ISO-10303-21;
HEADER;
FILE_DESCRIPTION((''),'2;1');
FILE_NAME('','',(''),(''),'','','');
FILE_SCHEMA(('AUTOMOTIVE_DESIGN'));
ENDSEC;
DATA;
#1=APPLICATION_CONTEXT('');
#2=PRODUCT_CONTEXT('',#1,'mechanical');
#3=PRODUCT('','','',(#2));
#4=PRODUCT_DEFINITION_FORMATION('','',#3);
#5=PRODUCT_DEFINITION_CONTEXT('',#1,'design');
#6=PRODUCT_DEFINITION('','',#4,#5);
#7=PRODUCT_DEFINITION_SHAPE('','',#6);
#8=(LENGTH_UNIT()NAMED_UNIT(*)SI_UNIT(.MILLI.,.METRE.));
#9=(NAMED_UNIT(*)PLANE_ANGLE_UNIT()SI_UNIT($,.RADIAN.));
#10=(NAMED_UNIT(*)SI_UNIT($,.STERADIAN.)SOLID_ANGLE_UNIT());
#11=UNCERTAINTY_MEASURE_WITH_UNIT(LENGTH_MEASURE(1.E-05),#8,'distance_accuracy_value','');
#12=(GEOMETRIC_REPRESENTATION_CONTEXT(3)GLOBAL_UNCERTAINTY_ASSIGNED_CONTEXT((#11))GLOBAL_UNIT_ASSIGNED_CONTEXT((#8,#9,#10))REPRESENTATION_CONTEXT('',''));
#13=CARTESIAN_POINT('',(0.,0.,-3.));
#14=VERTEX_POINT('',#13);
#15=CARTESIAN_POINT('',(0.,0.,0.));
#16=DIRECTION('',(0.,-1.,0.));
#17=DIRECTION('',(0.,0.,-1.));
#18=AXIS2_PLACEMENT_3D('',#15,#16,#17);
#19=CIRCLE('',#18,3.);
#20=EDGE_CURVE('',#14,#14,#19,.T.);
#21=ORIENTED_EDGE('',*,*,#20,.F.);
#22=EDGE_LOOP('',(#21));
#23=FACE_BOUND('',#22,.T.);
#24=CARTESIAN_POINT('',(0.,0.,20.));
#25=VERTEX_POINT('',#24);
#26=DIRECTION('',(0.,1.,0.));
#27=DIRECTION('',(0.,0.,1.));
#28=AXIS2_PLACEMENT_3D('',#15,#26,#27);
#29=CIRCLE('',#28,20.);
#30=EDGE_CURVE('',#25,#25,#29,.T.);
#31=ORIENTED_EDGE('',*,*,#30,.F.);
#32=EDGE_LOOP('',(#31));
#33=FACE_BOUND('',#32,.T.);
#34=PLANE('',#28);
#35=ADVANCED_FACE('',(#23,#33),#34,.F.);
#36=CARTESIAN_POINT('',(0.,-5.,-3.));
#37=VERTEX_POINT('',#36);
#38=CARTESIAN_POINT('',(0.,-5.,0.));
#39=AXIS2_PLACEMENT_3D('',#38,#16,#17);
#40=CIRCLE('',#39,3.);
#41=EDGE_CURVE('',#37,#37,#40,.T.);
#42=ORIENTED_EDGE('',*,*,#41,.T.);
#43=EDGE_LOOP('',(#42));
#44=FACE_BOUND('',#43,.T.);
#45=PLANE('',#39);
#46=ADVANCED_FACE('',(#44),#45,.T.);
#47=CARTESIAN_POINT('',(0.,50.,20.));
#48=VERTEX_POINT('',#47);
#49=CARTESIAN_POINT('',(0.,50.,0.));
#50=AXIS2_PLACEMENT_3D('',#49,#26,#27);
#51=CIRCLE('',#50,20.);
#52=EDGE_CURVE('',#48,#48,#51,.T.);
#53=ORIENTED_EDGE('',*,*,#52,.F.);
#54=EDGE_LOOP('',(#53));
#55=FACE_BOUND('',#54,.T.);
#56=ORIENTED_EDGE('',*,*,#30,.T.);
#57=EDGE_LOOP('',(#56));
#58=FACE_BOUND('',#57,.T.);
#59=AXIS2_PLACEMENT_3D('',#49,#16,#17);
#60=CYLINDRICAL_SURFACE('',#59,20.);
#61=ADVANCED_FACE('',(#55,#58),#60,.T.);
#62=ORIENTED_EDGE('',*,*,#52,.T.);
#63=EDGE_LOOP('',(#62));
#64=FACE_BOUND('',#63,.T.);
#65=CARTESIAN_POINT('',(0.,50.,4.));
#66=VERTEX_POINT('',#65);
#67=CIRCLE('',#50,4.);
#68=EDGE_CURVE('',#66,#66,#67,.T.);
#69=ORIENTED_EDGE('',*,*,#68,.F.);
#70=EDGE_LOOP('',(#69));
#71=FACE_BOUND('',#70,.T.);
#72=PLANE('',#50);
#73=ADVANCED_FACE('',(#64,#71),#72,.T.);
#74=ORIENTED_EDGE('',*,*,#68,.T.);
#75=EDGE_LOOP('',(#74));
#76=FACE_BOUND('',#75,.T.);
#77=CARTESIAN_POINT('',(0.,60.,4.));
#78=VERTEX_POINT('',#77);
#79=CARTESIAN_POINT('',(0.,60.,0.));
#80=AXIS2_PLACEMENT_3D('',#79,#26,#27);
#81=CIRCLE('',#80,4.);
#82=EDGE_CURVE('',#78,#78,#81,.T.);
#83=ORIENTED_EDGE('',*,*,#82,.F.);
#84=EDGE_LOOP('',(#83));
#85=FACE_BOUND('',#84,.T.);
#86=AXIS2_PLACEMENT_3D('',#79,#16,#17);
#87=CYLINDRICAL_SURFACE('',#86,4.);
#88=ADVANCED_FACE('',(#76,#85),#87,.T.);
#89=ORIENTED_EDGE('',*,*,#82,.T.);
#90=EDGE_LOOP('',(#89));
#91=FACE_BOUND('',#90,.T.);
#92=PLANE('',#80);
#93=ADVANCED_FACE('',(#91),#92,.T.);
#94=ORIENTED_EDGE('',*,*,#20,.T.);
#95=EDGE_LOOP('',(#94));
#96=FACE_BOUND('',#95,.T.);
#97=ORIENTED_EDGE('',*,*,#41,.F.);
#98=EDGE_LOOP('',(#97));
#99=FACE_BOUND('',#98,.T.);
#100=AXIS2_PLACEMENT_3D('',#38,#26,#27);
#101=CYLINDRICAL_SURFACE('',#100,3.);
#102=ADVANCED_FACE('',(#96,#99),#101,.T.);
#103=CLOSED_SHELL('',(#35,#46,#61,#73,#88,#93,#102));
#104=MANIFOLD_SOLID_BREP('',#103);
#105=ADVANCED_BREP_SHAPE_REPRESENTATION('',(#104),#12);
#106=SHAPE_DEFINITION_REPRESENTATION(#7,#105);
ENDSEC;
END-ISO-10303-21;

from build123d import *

# Parameters (mm, degrees)
SKETCH_3_R      = 20
EXTRUDE_3_DEPTH = 50
SKETCH_4_R      = 3
EXTRUDE_4_DEPTH = 5
SKETCH_5_R      = 4
EXTRUDE_5_DEPTH = 10


with BuildPart() as part:
    # 草图3 → 凸台-拉伸3 (new body)
    with BuildSketch(Plane(origin=(0, 0, 0), x_dir=(1, 0, 0), z_dir=(0, 1, 0))):
        with Locations(Location((0, 0, 0), (0, 0, 270))):
            Circle(SKETCH_3_R)
    extrude(amount=EXTRUDE_3_DEPTH)

    # 草图4 → 凸台-拉伸4 (add)
    with BuildSketch(Plane.XZ):
        with Locations(Location((0, 0, 0), (0, 0, 270))):
            Circle(SKETCH_4_R)
    extrude(amount=EXTRUDE_4_DEPTH)

    # 草图5 → 凸台-拉伸5 (add)
    with BuildSketch(Plane(origin=(0, 50, 0), x_dir=(1, 0, 0), z_dir=(0, 1, 0))):
        with Locations(Location((0, 0, 0), (0, 0, 270))):
            Circle(SKETCH_5_R)
    extrude(amount=EXTRUDE_5_DEPTH)


solid = part.part
